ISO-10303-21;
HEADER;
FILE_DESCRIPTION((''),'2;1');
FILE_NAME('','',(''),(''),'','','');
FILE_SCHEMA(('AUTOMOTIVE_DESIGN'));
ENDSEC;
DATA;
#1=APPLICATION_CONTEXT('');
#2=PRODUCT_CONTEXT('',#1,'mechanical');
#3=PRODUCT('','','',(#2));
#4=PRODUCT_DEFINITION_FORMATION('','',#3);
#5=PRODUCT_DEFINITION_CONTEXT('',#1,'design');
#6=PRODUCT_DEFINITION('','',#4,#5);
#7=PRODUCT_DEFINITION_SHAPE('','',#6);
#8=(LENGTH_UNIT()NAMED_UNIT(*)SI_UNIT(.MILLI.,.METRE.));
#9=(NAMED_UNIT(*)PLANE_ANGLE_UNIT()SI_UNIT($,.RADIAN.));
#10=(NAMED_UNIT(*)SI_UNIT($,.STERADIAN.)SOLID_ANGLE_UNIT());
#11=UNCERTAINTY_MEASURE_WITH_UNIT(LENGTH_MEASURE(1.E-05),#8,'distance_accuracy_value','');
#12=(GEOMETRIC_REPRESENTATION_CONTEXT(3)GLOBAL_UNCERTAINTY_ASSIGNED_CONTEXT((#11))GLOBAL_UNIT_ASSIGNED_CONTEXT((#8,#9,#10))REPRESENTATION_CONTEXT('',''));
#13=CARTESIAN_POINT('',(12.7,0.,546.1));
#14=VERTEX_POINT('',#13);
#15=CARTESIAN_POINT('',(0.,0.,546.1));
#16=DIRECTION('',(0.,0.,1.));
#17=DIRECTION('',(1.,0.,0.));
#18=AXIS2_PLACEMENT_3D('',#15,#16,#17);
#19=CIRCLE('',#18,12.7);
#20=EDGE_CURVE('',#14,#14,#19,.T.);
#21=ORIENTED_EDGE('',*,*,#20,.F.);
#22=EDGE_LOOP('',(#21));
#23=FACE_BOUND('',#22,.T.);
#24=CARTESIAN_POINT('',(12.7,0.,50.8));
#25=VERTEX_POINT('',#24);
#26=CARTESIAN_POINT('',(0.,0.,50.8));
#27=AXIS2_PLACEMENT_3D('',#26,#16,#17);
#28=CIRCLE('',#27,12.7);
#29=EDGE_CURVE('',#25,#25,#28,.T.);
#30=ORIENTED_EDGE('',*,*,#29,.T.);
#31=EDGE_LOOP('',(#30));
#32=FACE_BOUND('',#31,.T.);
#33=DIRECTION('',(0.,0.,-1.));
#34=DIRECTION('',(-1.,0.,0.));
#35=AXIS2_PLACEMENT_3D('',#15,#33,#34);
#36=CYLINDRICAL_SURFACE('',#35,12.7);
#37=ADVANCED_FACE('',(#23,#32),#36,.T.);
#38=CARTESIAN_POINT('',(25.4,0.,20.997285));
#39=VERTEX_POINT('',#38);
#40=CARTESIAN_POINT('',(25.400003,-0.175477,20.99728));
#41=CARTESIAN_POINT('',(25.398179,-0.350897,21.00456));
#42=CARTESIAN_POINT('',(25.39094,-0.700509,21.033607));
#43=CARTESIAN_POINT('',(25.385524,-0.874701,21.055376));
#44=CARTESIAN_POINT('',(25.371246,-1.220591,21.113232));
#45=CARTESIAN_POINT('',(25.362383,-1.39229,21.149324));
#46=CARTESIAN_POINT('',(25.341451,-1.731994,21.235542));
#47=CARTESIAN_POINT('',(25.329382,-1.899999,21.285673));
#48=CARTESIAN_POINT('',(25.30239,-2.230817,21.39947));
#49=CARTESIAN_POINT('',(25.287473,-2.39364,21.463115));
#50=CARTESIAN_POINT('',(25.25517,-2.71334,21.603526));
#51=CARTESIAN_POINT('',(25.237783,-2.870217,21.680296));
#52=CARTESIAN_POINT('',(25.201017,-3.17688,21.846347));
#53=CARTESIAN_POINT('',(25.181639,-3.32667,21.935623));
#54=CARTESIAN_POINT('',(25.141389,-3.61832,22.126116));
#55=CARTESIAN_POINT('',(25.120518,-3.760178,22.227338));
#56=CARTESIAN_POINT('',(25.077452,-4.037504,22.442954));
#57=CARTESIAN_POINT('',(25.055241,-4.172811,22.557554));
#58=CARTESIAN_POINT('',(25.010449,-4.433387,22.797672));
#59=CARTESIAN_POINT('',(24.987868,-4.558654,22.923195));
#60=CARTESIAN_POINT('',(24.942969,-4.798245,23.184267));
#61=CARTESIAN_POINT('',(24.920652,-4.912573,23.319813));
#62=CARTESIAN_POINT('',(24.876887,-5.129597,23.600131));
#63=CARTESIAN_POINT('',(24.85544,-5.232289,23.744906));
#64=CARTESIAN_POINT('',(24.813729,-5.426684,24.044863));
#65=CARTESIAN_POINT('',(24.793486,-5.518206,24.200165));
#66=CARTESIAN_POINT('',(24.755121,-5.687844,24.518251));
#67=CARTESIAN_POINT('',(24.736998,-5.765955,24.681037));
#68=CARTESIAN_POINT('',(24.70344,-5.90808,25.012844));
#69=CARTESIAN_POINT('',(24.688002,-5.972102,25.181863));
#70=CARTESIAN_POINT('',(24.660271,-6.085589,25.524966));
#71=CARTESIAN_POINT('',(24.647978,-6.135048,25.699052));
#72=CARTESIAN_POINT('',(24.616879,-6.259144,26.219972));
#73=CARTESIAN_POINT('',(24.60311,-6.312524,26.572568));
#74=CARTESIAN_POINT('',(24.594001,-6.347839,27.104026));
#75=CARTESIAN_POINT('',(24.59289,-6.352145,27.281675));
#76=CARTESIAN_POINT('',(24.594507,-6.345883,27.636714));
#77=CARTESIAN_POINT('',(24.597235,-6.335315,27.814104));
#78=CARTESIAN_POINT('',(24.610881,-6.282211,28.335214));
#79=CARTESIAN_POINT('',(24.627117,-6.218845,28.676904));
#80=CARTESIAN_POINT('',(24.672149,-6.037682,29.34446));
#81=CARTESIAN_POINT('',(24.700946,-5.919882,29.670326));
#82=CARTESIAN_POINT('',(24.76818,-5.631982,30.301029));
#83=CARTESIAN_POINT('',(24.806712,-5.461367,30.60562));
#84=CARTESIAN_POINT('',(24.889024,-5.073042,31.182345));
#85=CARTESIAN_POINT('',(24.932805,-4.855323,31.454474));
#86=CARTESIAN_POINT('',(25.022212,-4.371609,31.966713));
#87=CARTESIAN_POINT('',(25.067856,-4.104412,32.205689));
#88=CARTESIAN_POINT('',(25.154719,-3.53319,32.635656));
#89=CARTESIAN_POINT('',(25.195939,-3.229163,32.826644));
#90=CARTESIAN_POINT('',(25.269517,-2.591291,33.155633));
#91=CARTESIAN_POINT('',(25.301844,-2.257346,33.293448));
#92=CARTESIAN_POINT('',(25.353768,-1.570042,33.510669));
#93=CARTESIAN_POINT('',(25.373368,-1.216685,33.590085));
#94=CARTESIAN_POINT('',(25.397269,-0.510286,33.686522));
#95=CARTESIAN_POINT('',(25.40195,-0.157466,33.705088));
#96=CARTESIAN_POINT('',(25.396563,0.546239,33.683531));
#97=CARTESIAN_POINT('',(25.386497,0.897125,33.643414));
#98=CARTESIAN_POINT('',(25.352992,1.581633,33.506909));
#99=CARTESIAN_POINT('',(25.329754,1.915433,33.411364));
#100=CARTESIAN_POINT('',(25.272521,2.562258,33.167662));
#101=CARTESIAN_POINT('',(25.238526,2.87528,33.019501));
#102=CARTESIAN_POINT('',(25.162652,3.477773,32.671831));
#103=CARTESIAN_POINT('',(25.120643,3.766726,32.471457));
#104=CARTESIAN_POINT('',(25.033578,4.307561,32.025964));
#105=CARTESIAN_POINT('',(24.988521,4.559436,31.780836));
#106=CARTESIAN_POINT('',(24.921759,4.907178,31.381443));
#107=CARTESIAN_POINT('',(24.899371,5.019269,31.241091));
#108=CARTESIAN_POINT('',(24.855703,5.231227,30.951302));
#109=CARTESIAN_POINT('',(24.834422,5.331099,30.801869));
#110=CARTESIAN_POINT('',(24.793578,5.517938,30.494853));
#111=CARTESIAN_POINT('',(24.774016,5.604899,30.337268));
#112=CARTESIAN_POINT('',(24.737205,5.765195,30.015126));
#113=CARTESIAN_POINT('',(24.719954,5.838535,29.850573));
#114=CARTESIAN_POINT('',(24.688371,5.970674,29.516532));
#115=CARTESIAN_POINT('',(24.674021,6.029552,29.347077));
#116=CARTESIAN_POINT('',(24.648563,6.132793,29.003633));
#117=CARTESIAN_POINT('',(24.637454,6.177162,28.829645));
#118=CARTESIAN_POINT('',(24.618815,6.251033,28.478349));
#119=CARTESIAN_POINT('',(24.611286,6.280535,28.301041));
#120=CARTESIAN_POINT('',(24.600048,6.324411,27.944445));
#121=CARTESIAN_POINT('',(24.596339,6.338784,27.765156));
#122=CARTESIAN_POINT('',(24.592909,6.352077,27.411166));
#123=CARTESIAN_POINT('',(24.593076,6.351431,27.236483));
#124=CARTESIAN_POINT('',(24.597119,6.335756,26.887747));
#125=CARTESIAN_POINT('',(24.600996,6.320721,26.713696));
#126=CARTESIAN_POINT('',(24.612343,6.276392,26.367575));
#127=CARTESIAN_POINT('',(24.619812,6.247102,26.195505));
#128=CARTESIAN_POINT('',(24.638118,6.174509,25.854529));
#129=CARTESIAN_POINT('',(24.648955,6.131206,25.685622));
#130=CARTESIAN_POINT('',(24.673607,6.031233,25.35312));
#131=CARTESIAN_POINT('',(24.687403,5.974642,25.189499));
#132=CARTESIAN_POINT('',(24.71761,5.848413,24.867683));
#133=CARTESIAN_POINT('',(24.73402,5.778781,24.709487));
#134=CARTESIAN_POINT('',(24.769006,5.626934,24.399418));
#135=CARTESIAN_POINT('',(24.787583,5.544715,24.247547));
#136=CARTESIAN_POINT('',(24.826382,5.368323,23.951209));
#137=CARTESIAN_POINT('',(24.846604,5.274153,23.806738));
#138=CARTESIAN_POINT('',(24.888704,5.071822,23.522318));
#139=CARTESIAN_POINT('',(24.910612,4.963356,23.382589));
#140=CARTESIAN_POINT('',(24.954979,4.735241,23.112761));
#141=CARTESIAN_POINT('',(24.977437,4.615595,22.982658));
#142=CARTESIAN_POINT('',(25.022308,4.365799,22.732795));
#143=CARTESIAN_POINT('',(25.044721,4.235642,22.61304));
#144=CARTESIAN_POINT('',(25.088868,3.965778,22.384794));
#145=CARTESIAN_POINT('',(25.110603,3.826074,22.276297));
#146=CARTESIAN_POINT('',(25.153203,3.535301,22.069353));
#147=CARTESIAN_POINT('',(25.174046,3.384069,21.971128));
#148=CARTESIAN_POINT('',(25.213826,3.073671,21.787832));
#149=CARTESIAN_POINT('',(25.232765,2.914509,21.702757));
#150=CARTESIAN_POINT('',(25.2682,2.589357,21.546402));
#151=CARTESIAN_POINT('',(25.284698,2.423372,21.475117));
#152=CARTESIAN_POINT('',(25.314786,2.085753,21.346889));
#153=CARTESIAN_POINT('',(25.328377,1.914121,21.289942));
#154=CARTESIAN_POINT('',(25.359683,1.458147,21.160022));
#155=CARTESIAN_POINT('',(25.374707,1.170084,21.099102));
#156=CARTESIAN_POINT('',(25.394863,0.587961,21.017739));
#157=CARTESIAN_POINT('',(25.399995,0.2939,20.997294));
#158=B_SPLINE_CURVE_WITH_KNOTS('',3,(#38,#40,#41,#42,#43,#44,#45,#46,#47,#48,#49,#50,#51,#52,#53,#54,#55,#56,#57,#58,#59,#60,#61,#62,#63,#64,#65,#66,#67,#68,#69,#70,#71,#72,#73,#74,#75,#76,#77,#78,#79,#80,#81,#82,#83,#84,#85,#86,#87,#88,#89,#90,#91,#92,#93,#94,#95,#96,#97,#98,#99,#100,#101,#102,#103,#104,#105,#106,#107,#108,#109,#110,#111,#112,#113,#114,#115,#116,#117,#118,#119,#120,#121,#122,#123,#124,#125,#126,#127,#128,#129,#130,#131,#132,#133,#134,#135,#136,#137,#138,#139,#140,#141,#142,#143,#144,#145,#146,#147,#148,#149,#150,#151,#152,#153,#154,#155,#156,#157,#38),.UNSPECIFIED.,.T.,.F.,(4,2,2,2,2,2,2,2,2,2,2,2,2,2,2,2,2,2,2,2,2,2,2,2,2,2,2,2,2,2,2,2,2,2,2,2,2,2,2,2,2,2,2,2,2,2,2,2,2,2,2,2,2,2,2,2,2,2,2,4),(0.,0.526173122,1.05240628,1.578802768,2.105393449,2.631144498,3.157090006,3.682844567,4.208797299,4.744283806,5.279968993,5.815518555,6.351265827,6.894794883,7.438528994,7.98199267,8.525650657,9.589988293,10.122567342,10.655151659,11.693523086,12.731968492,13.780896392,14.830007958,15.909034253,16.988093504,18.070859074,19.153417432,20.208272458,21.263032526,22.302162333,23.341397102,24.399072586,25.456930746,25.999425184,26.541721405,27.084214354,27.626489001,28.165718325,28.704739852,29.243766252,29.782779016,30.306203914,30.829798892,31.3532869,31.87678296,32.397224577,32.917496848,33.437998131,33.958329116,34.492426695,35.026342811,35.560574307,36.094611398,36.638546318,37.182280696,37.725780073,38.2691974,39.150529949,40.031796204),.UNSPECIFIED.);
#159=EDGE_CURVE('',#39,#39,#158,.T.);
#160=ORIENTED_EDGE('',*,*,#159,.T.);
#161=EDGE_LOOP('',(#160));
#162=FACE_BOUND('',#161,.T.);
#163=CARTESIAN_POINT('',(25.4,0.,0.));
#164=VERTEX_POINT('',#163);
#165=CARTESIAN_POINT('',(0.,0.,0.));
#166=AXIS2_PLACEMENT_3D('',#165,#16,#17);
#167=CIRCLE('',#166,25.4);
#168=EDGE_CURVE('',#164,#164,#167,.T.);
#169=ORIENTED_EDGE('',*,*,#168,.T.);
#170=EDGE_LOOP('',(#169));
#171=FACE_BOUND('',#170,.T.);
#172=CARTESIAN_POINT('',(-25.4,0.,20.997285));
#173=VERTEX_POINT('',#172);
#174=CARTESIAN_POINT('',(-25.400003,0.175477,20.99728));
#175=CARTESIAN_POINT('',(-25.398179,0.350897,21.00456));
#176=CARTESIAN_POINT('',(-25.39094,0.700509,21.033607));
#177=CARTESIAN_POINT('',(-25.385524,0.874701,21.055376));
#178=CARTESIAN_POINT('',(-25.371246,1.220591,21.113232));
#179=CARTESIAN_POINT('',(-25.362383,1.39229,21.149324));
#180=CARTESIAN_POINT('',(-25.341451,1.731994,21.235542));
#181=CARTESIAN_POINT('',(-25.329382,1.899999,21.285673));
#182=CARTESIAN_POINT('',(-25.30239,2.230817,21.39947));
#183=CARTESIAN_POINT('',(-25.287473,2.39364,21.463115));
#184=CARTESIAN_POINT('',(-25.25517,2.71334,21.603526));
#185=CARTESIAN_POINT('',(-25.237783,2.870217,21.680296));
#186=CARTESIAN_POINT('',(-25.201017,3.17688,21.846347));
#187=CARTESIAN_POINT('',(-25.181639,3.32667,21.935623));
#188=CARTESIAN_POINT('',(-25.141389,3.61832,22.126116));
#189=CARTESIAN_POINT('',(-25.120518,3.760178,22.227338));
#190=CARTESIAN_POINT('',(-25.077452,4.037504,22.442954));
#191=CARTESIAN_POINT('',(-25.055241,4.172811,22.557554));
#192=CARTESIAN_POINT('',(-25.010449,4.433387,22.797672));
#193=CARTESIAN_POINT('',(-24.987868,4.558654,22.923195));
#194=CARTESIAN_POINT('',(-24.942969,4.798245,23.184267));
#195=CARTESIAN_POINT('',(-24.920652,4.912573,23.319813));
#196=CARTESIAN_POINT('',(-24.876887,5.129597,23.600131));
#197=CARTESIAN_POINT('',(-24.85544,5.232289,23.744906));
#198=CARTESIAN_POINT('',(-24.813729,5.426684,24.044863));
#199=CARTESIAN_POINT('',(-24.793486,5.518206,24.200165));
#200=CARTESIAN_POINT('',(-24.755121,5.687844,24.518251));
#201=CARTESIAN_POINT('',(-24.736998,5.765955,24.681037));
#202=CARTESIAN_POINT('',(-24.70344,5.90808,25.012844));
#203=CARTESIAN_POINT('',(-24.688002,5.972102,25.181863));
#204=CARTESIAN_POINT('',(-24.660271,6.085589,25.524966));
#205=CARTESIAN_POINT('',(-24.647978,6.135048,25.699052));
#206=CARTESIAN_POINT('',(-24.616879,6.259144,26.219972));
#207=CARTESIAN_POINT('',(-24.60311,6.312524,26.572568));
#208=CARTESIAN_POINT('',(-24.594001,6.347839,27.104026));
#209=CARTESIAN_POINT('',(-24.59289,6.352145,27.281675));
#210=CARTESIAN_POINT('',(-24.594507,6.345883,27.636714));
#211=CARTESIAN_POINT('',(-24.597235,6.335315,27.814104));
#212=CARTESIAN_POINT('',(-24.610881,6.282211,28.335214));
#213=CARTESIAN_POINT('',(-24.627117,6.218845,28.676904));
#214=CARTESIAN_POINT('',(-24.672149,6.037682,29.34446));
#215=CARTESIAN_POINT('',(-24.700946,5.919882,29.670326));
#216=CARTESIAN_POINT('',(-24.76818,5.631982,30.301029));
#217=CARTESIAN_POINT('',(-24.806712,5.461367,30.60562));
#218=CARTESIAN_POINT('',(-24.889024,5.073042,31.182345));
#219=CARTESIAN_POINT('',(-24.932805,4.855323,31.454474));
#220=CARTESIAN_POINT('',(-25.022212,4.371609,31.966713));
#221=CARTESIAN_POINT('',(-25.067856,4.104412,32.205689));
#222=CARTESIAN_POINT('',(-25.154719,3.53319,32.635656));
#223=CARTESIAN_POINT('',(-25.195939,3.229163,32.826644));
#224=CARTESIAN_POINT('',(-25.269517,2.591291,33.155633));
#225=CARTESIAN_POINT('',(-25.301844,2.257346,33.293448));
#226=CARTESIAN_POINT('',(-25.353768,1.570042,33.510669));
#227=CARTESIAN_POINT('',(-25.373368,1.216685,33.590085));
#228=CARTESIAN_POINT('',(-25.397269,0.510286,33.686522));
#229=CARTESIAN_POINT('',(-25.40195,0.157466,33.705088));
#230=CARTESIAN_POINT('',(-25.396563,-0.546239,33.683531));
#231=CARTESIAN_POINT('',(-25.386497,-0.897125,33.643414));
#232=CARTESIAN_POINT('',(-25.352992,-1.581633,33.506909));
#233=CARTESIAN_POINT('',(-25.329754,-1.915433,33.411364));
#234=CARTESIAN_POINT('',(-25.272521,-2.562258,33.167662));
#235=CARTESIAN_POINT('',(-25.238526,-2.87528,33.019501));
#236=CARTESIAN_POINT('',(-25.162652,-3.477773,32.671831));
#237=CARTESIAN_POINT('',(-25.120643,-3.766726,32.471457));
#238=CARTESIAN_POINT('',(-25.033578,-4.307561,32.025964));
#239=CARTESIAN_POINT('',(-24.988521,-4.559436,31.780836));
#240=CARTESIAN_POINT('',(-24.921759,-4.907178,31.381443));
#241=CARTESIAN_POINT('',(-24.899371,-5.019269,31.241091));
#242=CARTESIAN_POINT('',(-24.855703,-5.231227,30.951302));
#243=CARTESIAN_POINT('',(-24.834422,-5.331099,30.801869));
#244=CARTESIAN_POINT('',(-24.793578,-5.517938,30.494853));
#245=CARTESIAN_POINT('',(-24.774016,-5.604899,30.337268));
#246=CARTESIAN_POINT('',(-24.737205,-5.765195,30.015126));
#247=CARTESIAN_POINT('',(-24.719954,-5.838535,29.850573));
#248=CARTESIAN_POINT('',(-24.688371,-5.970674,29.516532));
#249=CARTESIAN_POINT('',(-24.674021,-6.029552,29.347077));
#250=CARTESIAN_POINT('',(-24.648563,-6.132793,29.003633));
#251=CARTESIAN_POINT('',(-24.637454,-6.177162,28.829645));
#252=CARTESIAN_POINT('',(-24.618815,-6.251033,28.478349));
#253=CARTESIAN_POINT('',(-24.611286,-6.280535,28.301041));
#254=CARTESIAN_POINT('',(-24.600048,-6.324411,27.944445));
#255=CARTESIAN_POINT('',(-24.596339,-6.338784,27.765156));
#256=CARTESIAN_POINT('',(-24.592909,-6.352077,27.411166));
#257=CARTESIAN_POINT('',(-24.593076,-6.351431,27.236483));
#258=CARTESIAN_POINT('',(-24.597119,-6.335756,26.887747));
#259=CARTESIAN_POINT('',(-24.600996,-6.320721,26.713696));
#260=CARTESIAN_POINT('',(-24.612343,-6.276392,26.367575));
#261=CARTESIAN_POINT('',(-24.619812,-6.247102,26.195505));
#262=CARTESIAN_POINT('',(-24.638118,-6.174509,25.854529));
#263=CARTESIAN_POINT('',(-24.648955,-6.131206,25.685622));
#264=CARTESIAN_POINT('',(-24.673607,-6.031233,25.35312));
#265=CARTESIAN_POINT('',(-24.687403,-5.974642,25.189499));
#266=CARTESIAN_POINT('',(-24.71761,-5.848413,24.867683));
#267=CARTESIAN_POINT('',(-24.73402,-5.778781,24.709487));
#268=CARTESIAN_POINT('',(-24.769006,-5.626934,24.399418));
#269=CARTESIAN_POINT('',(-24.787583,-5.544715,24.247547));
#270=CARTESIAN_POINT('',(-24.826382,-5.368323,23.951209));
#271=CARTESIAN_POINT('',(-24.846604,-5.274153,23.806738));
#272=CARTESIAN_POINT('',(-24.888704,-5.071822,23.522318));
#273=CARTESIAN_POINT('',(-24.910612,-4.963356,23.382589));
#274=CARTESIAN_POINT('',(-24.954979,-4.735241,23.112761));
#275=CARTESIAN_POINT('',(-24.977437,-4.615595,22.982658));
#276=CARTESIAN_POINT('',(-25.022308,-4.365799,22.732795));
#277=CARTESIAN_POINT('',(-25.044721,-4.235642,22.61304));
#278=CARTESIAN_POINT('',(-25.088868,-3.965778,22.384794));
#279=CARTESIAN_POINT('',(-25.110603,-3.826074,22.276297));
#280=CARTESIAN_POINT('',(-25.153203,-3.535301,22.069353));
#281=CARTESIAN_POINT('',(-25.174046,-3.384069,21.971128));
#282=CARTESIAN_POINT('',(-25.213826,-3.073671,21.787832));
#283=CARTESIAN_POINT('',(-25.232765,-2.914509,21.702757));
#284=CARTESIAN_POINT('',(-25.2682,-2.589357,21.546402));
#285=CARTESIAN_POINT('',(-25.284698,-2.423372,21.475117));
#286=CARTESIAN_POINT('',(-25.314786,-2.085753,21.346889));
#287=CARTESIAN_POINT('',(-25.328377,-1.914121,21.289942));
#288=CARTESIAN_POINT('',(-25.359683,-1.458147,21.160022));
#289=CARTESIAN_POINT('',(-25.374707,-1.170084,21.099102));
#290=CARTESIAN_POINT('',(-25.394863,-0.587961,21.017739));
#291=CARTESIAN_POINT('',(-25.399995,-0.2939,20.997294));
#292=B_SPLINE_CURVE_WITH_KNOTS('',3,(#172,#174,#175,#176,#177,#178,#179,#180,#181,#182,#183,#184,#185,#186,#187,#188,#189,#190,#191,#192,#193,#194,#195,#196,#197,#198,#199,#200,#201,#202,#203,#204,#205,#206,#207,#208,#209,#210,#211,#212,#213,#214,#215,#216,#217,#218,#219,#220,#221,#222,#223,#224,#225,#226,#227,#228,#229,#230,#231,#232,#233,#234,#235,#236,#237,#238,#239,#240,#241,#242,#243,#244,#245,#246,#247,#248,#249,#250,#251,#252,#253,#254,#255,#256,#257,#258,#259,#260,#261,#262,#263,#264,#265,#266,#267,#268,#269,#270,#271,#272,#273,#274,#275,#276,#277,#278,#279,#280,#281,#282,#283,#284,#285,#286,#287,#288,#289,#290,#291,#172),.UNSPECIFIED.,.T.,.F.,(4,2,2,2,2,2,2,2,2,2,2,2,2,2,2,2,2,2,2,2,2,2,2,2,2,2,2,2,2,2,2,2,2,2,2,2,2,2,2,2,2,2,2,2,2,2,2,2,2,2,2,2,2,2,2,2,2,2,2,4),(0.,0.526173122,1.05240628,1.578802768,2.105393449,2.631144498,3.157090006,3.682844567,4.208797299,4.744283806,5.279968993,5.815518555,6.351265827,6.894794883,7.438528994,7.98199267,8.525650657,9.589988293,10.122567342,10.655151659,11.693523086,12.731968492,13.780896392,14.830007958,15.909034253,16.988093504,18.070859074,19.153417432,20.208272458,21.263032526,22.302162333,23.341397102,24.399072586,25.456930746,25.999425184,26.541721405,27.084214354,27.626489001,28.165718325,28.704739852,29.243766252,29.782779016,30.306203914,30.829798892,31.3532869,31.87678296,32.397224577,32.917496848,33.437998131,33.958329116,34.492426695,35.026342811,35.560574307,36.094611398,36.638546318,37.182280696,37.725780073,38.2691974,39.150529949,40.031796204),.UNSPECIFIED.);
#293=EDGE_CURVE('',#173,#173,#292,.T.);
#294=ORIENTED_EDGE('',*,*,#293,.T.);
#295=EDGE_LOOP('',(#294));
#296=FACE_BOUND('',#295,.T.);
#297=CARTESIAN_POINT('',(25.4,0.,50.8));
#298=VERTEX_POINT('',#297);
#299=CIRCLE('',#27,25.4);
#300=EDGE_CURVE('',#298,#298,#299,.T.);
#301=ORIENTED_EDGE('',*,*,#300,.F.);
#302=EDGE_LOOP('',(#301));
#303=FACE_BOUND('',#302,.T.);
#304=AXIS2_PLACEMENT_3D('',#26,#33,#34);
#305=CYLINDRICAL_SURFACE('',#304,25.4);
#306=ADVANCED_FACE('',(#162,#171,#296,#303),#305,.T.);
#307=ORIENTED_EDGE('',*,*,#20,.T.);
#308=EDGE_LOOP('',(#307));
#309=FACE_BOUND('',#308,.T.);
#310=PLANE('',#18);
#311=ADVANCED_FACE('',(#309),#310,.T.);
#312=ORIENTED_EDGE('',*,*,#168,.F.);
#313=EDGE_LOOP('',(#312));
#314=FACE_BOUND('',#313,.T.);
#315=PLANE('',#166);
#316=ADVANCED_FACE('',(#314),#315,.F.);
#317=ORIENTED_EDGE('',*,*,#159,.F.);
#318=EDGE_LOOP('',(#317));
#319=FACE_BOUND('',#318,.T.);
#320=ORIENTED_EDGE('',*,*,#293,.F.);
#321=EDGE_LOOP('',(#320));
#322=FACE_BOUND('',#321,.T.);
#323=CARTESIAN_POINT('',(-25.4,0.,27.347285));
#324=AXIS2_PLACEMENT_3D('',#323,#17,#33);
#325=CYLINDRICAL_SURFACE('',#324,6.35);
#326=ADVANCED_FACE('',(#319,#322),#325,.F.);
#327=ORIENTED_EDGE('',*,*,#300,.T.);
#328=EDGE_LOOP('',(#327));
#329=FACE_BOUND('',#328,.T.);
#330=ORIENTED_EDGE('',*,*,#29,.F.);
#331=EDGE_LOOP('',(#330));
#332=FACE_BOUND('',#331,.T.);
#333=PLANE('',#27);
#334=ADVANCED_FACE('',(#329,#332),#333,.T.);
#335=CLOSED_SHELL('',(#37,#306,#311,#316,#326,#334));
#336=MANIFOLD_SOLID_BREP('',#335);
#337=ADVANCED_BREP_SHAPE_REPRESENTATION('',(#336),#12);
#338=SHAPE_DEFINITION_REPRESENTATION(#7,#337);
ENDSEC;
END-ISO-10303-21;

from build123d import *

# Parameters (mm, degrees)
SKETCH1_R               = 25.4
EXTRUDE1_DEPTH          = 50.8
SKETCH2_R               = 12.7
EXTRUDE2_DEPTH          = 495.3
SKETCH3_R               = 6.35
CUT_EXTRUDE1_DEPTH      = 26.4
CUT_EXTRUDE1_DEPTH_BACK = 26.4


with BuildPart() as part:
    # Sketch1 → Extrude1 (new body)
    with BuildSketch(Plane.XY):
        Circle(SKETCH1_R)
    extrude(amount=EXTRUDE1_DEPTH)

    # Sketch2 → Extrude2 (add)
    with BuildSketch(Plane.XY.offset(50.8)):
        Circle(SKETCH2_R)
    extrude(amount=EXTRUDE2_DEPTH)

    # Sketch3 → Cut-Extrude1 (cut, two sides)
    with BuildSketch(Plane(origin=(0, 0, 0), x_dir=(0, 0, -1), z_dir=(1, 0, 0))) as cut_extrude1_sk:
        with Locations((-27.347285404, 0)):
            Circle(SKETCH3_R)
    extrude(amount=CUT_EXTRUDE1_DEPTH, mode=Mode.SUBTRACT)
    extrude(cut_extrude1_sk.sketch, amount=-CUT_EXTRUDE1_DEPTH_BACK, mode=Mode.SUBTRACT)


solid = part.part
